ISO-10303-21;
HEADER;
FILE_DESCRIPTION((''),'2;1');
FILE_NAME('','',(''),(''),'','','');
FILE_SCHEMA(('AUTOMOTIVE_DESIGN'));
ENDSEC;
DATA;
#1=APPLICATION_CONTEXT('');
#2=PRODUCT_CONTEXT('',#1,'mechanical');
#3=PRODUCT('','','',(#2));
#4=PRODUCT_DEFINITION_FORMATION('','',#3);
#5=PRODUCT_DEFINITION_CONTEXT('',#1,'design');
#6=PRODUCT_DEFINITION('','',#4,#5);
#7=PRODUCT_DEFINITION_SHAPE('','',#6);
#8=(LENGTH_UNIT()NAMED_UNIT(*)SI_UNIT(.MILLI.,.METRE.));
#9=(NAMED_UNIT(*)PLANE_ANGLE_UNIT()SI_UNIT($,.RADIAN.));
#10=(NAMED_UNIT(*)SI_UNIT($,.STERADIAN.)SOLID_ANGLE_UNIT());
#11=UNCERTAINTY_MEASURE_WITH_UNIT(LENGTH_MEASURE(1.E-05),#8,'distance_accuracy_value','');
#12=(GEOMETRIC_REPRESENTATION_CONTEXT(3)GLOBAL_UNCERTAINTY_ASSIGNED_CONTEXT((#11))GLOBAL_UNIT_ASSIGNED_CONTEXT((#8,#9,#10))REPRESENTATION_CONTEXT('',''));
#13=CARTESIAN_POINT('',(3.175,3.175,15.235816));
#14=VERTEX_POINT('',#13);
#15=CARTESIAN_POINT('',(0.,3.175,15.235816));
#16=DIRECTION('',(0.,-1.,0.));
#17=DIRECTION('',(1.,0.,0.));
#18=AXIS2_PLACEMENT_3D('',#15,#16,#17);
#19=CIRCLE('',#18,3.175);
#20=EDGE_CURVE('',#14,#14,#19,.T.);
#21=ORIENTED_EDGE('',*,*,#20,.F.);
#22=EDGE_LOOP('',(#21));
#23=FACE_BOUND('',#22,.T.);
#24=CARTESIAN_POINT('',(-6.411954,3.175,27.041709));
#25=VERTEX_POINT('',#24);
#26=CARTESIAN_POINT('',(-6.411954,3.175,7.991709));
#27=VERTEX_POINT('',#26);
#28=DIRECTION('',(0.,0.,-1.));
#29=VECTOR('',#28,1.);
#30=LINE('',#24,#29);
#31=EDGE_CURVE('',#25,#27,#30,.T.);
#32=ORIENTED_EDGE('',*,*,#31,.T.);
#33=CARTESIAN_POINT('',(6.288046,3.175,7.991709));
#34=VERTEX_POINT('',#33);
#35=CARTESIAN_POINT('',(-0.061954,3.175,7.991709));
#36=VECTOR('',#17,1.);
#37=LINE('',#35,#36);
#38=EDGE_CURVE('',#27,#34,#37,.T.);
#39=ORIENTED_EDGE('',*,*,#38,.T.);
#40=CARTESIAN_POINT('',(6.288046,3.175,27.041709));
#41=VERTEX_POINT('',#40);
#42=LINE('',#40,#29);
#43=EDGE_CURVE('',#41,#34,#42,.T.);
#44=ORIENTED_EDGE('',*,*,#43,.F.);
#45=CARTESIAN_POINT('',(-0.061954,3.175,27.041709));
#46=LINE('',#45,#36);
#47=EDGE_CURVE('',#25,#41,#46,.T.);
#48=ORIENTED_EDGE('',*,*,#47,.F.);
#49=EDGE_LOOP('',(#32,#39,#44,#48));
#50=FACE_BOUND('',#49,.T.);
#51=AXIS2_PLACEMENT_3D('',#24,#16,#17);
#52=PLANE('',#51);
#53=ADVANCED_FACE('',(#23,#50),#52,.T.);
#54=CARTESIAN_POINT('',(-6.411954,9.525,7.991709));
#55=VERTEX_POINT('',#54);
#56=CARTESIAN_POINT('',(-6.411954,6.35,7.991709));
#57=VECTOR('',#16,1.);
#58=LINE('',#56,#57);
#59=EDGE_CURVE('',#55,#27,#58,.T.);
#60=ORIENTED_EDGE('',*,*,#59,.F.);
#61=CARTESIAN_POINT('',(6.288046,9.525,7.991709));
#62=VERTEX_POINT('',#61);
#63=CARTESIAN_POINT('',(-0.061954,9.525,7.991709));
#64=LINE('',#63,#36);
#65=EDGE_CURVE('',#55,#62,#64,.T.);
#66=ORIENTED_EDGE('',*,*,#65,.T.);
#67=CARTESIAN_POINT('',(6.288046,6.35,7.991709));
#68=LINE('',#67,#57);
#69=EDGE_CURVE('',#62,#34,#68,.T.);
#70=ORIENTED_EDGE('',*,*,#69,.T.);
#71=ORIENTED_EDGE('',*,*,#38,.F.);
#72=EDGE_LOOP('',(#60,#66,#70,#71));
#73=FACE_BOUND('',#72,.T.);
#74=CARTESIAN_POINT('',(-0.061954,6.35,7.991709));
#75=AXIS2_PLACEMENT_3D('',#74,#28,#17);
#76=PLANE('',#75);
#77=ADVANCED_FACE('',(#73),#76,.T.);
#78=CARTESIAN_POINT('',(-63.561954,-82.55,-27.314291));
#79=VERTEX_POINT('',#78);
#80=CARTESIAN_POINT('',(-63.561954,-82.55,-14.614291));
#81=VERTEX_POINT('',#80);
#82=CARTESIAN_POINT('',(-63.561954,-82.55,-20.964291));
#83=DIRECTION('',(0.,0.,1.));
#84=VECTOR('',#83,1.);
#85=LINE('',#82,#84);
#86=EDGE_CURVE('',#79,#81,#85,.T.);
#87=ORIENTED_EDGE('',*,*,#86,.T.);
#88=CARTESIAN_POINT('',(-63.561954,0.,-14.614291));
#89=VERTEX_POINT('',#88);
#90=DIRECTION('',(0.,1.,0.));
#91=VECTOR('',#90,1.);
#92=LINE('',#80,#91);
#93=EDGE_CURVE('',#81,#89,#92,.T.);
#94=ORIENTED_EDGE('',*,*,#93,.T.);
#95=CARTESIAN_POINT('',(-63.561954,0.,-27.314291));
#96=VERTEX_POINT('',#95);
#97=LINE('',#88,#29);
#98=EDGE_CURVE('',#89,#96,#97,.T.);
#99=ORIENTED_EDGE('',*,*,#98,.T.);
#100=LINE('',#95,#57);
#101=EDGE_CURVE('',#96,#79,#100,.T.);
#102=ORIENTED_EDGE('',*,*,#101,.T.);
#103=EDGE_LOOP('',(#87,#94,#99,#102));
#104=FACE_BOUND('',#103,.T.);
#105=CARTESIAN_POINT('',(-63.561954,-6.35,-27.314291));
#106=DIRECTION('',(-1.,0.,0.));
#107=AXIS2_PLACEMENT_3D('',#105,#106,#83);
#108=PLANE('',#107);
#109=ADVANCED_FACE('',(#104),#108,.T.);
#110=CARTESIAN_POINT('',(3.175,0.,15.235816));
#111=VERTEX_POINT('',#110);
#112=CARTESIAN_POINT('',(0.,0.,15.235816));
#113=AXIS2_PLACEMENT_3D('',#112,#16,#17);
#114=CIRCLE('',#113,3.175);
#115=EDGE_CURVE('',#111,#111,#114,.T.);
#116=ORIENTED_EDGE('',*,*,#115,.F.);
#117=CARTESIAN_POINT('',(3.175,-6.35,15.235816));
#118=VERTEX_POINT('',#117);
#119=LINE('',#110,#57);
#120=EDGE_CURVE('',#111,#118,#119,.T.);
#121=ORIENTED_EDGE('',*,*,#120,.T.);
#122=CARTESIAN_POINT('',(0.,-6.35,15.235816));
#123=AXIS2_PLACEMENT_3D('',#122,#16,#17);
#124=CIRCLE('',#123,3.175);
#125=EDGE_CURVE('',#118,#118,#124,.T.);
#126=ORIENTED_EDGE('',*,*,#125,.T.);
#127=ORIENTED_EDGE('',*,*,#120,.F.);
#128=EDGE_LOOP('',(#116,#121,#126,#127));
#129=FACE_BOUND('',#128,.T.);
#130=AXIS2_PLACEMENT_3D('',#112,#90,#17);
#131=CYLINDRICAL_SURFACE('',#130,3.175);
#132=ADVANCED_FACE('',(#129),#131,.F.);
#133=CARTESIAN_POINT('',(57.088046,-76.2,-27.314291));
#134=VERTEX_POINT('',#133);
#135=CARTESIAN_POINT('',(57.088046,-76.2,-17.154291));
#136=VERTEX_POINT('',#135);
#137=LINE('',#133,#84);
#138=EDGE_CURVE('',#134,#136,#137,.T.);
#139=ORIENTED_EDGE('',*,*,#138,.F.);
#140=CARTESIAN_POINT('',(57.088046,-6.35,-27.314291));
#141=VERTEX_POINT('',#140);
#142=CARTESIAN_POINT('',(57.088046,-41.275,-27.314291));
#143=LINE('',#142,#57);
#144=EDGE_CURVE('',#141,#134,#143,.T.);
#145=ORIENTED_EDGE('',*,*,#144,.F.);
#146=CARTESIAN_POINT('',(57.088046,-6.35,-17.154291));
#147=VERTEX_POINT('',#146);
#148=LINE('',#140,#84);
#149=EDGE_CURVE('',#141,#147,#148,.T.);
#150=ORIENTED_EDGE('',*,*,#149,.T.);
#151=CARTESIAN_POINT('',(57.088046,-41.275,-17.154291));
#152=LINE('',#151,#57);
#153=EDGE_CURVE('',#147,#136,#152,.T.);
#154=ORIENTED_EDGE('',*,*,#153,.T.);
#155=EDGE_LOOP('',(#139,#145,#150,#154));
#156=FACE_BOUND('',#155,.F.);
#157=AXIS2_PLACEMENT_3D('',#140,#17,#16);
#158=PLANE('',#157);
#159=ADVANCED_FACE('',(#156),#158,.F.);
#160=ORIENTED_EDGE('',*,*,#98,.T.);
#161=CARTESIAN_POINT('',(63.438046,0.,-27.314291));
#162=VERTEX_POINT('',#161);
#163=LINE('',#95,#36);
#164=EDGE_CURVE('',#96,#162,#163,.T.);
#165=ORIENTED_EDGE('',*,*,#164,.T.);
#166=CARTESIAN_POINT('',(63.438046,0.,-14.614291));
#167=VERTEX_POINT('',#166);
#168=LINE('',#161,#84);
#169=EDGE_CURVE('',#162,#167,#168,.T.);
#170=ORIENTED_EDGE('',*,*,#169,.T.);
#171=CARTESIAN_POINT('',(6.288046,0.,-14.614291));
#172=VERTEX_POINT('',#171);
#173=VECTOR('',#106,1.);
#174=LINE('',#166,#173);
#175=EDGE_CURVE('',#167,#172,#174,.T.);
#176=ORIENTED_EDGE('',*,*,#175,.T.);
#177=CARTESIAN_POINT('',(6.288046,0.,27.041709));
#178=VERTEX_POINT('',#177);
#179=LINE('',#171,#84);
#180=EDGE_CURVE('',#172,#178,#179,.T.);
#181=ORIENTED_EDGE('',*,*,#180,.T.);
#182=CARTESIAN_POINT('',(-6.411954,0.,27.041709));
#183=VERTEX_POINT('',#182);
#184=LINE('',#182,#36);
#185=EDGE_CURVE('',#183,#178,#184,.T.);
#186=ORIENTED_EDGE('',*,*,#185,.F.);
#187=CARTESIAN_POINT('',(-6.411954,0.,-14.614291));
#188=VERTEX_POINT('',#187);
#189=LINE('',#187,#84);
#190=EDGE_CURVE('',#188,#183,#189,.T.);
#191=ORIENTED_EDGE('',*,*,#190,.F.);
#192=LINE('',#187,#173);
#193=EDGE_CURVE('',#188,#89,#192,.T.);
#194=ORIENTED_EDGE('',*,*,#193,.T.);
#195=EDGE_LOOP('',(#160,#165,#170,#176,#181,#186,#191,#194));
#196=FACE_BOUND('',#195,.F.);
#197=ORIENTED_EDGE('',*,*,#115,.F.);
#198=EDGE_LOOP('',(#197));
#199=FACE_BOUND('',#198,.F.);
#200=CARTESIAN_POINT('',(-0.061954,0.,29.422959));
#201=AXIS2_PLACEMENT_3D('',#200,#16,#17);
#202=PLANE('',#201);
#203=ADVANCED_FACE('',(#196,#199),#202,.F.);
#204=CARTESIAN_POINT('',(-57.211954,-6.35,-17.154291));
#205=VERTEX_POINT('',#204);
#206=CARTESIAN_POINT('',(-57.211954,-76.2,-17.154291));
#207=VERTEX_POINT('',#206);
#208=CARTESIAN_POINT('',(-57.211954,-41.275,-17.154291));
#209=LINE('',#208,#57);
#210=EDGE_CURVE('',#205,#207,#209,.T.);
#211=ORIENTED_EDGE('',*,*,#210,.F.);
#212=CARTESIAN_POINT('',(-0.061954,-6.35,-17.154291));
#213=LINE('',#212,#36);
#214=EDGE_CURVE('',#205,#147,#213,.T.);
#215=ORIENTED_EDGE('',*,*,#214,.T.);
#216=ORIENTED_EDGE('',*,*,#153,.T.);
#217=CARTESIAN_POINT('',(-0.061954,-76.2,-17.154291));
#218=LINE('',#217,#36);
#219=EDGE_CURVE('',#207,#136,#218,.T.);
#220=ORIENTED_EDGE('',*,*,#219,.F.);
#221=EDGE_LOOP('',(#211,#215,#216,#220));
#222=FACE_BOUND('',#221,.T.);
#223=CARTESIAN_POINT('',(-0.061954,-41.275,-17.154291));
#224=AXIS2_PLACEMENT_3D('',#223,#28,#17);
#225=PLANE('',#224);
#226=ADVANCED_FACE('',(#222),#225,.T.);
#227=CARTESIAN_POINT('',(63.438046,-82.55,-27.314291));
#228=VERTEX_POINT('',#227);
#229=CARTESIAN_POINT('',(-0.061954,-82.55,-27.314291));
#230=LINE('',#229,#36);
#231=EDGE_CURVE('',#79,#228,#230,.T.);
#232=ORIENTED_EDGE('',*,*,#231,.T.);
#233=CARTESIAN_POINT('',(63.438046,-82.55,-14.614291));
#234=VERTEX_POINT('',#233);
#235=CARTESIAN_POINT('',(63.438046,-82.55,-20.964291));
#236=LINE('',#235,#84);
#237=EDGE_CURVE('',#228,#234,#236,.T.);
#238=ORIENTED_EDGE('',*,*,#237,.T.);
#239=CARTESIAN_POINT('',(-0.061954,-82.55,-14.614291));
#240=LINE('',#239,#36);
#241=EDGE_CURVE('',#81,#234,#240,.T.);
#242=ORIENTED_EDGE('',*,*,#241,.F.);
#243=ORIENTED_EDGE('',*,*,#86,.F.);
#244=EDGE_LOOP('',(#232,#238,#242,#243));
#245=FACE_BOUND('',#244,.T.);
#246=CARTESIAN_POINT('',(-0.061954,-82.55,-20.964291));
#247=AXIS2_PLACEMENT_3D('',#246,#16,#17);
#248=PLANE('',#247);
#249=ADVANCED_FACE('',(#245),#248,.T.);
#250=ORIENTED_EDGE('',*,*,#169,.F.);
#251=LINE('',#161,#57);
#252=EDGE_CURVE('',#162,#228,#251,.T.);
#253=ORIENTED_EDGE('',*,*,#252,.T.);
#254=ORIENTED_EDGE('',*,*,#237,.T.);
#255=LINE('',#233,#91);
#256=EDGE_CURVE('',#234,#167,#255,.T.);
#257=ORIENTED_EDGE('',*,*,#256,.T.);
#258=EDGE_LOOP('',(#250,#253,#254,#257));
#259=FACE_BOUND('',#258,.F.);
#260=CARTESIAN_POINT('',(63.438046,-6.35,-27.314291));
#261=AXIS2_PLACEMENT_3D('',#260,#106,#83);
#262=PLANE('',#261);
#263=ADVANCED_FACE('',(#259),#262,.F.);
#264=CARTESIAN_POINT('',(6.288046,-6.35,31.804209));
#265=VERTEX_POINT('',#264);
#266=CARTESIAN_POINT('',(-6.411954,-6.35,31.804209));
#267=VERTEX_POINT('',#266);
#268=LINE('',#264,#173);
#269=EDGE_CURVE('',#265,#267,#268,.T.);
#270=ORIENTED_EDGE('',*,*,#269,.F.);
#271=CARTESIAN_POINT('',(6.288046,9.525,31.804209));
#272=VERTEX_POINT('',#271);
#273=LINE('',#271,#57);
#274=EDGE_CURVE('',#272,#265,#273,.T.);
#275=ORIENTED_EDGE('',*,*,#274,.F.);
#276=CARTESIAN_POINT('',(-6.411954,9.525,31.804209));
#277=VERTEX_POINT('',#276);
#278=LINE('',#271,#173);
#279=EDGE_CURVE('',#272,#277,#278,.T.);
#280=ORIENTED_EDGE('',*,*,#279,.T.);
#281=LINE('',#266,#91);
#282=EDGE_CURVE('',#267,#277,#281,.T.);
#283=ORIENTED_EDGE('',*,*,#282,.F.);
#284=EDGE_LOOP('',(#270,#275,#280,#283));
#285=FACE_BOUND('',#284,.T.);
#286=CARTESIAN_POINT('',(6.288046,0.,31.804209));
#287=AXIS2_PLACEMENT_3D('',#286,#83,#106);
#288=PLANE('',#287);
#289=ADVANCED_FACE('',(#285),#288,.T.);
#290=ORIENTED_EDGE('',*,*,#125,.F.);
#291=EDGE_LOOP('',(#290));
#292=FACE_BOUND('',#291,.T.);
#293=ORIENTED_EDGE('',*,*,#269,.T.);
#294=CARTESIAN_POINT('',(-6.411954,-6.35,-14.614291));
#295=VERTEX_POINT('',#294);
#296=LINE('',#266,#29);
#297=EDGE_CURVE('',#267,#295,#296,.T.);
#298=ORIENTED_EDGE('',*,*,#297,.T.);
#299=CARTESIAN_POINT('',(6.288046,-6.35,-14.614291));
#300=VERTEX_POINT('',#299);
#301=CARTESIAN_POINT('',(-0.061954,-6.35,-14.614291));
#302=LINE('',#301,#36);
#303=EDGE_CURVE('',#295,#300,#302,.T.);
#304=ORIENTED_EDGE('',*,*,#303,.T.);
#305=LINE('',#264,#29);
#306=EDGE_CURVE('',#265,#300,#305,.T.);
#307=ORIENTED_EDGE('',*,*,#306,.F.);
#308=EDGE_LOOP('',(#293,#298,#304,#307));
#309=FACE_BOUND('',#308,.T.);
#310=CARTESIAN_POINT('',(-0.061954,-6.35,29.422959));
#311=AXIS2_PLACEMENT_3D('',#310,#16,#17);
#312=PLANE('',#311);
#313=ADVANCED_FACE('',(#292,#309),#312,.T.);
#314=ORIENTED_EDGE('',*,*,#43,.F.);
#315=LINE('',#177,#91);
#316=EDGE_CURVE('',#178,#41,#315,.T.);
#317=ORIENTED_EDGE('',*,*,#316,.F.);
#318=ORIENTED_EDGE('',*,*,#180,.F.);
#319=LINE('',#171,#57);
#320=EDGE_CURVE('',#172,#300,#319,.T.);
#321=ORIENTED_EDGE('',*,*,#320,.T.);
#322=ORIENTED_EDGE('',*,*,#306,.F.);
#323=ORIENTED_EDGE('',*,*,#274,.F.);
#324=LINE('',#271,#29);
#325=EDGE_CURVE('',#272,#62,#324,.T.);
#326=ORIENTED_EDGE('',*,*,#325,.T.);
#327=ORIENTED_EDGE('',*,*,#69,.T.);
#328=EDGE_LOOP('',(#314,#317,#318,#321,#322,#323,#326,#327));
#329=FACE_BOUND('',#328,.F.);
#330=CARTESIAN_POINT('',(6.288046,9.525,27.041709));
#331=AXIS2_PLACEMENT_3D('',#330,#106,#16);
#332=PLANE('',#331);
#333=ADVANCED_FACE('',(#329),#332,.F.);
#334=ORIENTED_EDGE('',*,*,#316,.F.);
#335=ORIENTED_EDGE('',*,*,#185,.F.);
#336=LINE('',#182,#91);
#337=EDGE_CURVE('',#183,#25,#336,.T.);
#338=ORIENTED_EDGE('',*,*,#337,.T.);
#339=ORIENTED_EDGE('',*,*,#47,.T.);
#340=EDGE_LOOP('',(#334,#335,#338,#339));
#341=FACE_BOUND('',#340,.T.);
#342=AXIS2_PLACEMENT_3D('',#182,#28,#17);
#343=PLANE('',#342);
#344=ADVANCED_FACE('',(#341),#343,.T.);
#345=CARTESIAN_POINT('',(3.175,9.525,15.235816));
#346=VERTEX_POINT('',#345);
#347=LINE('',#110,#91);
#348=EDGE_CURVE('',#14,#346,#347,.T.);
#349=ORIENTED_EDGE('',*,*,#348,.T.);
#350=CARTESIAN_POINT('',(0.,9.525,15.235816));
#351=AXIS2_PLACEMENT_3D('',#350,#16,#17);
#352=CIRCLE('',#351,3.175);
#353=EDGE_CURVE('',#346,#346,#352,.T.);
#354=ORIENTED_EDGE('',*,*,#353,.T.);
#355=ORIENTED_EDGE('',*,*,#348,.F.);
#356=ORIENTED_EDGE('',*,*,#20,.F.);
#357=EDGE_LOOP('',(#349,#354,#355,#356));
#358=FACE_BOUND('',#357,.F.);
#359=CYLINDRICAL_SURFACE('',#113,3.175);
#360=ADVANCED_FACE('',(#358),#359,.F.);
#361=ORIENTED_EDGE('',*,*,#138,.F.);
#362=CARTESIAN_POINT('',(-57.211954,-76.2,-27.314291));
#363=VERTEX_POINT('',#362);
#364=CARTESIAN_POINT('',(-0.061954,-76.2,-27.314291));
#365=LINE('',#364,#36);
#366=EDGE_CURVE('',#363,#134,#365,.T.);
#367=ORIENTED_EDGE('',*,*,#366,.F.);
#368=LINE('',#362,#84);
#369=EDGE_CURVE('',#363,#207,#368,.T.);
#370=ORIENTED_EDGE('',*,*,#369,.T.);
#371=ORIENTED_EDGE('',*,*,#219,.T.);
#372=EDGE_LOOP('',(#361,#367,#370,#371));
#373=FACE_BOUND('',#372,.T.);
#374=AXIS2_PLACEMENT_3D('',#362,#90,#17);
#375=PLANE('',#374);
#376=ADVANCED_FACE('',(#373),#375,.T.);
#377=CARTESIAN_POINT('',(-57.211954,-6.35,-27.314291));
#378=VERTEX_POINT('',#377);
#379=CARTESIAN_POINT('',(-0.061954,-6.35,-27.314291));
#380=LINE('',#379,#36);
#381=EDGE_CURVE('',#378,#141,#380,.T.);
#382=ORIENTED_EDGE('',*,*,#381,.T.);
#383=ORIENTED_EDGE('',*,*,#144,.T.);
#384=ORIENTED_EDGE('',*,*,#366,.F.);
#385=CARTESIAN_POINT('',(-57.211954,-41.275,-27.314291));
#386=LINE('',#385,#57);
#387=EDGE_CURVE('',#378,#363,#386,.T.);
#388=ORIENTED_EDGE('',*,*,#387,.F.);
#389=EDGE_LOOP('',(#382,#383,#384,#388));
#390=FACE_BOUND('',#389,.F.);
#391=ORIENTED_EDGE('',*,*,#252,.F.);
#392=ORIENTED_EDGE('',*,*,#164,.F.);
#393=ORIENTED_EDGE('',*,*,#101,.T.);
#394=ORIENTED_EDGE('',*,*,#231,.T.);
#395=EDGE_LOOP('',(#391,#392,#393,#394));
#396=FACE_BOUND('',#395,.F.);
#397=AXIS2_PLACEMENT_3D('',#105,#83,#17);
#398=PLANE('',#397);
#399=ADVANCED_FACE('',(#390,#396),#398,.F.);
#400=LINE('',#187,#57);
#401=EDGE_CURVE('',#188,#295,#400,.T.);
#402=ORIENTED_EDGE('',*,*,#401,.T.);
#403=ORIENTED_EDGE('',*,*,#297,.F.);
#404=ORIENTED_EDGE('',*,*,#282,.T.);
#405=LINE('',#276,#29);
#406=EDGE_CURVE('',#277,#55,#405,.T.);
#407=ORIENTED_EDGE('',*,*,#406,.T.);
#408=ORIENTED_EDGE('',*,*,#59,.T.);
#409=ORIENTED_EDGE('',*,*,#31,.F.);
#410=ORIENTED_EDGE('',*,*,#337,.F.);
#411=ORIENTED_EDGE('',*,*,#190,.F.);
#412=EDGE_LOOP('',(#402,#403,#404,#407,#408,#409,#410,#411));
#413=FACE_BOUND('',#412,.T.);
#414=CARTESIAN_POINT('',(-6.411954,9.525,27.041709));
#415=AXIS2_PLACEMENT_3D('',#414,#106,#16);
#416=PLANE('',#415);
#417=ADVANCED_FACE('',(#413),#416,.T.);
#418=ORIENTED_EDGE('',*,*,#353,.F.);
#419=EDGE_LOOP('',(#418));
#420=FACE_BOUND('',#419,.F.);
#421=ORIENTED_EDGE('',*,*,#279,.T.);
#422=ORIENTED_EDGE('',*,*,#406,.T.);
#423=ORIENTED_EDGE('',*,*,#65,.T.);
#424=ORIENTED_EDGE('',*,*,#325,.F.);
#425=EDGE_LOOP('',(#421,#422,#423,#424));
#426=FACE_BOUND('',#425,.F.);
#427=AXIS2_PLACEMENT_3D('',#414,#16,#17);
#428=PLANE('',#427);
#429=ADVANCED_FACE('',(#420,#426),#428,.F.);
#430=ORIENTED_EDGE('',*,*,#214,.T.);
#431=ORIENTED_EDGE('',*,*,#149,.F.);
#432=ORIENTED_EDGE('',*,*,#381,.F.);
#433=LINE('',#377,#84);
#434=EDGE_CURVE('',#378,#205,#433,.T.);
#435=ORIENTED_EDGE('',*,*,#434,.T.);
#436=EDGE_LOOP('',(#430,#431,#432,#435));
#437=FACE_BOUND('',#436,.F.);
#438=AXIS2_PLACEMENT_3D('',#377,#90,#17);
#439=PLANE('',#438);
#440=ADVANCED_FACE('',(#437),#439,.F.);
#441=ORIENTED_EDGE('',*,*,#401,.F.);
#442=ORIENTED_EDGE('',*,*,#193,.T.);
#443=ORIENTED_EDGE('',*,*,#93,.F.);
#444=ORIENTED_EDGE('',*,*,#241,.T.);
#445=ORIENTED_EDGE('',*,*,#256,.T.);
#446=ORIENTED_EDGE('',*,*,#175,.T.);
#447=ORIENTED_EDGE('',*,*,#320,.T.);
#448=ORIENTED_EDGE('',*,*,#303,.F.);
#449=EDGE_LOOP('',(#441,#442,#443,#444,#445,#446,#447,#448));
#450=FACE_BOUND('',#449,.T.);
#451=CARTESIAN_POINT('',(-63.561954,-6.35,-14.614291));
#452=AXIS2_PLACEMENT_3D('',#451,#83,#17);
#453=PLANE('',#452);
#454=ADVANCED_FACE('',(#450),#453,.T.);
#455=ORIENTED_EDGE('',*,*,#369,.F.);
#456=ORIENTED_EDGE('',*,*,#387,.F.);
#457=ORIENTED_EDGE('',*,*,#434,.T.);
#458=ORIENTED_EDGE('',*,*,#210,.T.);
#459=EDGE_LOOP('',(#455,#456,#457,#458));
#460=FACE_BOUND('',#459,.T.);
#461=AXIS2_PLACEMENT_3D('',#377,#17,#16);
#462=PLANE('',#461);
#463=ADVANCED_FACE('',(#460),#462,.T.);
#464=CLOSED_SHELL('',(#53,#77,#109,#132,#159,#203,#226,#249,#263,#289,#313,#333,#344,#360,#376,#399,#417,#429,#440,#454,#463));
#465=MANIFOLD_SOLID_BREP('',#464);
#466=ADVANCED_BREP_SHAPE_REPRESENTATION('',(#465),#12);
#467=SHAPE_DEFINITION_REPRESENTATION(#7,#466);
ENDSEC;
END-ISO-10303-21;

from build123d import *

# Parameters (mm, degrees)
F0_R      = 3.175
F1_DEPTH  = 6.35
F2_DEPTH  = 6.35
F3_DEPTH  = 9.525
F4_W      = 12.7
F4_H      = 6.35
F5_DEPTH  = 19.05
F6_DEPTH  = 25.4
F7_W      = 127
F7_H      = 12.7
F8_DEPTH  = 76.2
F9_W      = 114.3
F9_H      = 69.85
F10_DEPTH = 10.16


with BuildPart() as f1:
    # F0 (on Front) → F1 (new body)
    with BuildSketch(Plane.XZ):
        Polygon((6.288046, 27.041709), (0, 27.041709), (-6.411954, 27.041709), (-6.411954, -14.614291), (-63.561954, -14.614291), (-63.561954, -27.314291), (-6.411954, -27.314291), (6.288046, -27.314291), (63.438046, -27.314291), (63.438046, -14.614291), (6.288046, -14.614291), align=None)
        with Locations((0, 15.235816)):
            Circle(F0_R, mode=Mode.SUBTRACT)
    extrude(amount=F1_DEPTH)

    # F0 (on Front) → F2 (join)
    with BuildSketch(Plane.XZ):
        Polygon((-6.411954, 27.041709), (0, 27.041709), (6.288046, 27.041709), (6.288046, 31.804209), (-6.411954, 31.804209), align=None)
    extrude(amount=F2_DEPTH)

    # F0 (on Front) → F3 (join)
    with BuildSketch(Plane.XZ):
        Polygon((-6.411954, 27.041709), (0, 27.041709), (6.288046, 27.041709), (6.288046, 31.804209), (-6.411954, 31.804209), align=None)
    extrude(amount=-F3_DEPTH)

    # F4 (on face) → F5 (join)
    with BuildSketch(Plane(origin=(0, 0, 27.041709), x_dir=(1, 0, 0), z_dir=(0, 0, -1))):
        with Locations((-0.061954, -6.35)):
            Rectangle(F4_W, F4_H)
    extrude(amount=F5_DEPTH)

    # F0 (on Front) → F6 (cut)
    with BuildSketch(Plane.XZ):
        with Locations((0, 15.235816)):
            Circle(F0_R)
    extrude(amount=-F6_DEPTH, mode=Mode.SUBTRACT)

    # F7 (on face) → F8 (join)
    with BuildSketch(Plane.XZ.offset(6.35)):
        with Locations((-0.061954, -20.964291)):
            Rectangle(F7_W, F7_H)
    extrude(amount=F8_DEPTH)

    # F9 (on face) → F10 (cut)
    with BuildSketch(Plane(origin=(0, 0, -27.314291), x_dir=(1, 0, 0), z_dir=(0, 0, -1))):
        with Locations((-0.061954, 41.275)):
            Rectangle(F9_W, F9_H)
    extrude(amount=-F10_DEPTH, mode=Mode.SUBTRACT)


solid = f1.part
